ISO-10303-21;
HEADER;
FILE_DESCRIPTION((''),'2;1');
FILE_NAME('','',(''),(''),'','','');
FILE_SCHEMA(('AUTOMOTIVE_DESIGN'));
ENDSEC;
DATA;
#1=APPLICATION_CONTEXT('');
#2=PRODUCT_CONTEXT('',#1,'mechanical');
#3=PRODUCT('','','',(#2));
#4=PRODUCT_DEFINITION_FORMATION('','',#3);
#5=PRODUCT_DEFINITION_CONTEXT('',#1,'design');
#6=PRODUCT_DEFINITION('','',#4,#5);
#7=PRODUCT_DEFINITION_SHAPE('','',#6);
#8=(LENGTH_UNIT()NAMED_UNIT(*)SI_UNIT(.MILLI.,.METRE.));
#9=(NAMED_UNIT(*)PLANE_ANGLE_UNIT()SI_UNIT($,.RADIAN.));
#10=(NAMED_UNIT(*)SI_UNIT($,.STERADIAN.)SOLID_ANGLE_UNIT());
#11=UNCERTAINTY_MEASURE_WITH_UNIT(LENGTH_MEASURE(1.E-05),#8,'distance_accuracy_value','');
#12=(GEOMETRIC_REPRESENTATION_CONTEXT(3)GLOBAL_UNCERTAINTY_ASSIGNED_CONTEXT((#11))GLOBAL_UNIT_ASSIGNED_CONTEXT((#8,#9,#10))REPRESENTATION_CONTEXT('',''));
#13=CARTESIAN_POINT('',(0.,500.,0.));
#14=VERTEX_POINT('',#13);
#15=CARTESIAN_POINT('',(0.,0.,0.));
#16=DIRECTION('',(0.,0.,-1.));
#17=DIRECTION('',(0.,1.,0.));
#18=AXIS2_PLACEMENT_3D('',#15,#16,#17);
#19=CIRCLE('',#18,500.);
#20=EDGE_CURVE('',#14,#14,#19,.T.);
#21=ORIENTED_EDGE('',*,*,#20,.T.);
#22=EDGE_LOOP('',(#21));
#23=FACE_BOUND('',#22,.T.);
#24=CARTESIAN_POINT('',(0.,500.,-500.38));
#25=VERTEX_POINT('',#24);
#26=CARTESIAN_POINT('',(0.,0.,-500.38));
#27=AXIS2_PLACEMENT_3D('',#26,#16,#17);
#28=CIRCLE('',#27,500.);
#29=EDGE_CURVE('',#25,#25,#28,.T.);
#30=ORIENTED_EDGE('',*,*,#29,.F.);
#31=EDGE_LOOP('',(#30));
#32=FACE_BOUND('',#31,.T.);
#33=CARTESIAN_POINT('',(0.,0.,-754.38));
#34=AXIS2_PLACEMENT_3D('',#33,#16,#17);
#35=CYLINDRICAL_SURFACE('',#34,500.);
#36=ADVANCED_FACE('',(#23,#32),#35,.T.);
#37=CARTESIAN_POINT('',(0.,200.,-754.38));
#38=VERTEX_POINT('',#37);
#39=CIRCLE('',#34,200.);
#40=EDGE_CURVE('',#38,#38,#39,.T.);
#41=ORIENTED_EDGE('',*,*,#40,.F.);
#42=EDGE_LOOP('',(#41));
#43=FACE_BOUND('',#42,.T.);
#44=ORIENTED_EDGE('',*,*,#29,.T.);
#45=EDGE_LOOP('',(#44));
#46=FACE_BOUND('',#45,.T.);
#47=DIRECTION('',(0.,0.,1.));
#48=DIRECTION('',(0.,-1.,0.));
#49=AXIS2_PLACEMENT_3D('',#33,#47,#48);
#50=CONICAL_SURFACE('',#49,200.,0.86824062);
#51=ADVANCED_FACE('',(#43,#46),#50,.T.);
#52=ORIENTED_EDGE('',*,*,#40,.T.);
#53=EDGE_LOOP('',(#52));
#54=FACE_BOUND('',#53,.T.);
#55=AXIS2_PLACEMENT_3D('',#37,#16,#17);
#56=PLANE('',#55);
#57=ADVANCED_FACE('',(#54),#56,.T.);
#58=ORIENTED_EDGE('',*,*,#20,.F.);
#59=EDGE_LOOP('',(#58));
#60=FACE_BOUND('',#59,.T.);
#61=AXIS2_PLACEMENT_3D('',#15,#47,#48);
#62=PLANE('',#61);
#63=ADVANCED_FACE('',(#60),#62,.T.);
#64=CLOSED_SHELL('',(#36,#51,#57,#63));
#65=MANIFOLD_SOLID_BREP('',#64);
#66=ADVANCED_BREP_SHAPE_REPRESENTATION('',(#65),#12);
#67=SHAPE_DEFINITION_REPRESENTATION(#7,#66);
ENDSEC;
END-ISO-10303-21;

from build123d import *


with BuildPart() as part:
    # Sketch5 → Revolve1 (revolve)
    with BuildSketch(Plane(origin=(0, 0, 0), x_dir=(0, 0, -1), z_dir=(1, 0, 0))):
        Polygon((0, 0), (0, 500), (500.38, 500), (754.38, 200), (754.38, 0), align=None)
    revolve(axis=Axis((0, 0, -754.38), (0, 0, 1)))


solid = part.part
